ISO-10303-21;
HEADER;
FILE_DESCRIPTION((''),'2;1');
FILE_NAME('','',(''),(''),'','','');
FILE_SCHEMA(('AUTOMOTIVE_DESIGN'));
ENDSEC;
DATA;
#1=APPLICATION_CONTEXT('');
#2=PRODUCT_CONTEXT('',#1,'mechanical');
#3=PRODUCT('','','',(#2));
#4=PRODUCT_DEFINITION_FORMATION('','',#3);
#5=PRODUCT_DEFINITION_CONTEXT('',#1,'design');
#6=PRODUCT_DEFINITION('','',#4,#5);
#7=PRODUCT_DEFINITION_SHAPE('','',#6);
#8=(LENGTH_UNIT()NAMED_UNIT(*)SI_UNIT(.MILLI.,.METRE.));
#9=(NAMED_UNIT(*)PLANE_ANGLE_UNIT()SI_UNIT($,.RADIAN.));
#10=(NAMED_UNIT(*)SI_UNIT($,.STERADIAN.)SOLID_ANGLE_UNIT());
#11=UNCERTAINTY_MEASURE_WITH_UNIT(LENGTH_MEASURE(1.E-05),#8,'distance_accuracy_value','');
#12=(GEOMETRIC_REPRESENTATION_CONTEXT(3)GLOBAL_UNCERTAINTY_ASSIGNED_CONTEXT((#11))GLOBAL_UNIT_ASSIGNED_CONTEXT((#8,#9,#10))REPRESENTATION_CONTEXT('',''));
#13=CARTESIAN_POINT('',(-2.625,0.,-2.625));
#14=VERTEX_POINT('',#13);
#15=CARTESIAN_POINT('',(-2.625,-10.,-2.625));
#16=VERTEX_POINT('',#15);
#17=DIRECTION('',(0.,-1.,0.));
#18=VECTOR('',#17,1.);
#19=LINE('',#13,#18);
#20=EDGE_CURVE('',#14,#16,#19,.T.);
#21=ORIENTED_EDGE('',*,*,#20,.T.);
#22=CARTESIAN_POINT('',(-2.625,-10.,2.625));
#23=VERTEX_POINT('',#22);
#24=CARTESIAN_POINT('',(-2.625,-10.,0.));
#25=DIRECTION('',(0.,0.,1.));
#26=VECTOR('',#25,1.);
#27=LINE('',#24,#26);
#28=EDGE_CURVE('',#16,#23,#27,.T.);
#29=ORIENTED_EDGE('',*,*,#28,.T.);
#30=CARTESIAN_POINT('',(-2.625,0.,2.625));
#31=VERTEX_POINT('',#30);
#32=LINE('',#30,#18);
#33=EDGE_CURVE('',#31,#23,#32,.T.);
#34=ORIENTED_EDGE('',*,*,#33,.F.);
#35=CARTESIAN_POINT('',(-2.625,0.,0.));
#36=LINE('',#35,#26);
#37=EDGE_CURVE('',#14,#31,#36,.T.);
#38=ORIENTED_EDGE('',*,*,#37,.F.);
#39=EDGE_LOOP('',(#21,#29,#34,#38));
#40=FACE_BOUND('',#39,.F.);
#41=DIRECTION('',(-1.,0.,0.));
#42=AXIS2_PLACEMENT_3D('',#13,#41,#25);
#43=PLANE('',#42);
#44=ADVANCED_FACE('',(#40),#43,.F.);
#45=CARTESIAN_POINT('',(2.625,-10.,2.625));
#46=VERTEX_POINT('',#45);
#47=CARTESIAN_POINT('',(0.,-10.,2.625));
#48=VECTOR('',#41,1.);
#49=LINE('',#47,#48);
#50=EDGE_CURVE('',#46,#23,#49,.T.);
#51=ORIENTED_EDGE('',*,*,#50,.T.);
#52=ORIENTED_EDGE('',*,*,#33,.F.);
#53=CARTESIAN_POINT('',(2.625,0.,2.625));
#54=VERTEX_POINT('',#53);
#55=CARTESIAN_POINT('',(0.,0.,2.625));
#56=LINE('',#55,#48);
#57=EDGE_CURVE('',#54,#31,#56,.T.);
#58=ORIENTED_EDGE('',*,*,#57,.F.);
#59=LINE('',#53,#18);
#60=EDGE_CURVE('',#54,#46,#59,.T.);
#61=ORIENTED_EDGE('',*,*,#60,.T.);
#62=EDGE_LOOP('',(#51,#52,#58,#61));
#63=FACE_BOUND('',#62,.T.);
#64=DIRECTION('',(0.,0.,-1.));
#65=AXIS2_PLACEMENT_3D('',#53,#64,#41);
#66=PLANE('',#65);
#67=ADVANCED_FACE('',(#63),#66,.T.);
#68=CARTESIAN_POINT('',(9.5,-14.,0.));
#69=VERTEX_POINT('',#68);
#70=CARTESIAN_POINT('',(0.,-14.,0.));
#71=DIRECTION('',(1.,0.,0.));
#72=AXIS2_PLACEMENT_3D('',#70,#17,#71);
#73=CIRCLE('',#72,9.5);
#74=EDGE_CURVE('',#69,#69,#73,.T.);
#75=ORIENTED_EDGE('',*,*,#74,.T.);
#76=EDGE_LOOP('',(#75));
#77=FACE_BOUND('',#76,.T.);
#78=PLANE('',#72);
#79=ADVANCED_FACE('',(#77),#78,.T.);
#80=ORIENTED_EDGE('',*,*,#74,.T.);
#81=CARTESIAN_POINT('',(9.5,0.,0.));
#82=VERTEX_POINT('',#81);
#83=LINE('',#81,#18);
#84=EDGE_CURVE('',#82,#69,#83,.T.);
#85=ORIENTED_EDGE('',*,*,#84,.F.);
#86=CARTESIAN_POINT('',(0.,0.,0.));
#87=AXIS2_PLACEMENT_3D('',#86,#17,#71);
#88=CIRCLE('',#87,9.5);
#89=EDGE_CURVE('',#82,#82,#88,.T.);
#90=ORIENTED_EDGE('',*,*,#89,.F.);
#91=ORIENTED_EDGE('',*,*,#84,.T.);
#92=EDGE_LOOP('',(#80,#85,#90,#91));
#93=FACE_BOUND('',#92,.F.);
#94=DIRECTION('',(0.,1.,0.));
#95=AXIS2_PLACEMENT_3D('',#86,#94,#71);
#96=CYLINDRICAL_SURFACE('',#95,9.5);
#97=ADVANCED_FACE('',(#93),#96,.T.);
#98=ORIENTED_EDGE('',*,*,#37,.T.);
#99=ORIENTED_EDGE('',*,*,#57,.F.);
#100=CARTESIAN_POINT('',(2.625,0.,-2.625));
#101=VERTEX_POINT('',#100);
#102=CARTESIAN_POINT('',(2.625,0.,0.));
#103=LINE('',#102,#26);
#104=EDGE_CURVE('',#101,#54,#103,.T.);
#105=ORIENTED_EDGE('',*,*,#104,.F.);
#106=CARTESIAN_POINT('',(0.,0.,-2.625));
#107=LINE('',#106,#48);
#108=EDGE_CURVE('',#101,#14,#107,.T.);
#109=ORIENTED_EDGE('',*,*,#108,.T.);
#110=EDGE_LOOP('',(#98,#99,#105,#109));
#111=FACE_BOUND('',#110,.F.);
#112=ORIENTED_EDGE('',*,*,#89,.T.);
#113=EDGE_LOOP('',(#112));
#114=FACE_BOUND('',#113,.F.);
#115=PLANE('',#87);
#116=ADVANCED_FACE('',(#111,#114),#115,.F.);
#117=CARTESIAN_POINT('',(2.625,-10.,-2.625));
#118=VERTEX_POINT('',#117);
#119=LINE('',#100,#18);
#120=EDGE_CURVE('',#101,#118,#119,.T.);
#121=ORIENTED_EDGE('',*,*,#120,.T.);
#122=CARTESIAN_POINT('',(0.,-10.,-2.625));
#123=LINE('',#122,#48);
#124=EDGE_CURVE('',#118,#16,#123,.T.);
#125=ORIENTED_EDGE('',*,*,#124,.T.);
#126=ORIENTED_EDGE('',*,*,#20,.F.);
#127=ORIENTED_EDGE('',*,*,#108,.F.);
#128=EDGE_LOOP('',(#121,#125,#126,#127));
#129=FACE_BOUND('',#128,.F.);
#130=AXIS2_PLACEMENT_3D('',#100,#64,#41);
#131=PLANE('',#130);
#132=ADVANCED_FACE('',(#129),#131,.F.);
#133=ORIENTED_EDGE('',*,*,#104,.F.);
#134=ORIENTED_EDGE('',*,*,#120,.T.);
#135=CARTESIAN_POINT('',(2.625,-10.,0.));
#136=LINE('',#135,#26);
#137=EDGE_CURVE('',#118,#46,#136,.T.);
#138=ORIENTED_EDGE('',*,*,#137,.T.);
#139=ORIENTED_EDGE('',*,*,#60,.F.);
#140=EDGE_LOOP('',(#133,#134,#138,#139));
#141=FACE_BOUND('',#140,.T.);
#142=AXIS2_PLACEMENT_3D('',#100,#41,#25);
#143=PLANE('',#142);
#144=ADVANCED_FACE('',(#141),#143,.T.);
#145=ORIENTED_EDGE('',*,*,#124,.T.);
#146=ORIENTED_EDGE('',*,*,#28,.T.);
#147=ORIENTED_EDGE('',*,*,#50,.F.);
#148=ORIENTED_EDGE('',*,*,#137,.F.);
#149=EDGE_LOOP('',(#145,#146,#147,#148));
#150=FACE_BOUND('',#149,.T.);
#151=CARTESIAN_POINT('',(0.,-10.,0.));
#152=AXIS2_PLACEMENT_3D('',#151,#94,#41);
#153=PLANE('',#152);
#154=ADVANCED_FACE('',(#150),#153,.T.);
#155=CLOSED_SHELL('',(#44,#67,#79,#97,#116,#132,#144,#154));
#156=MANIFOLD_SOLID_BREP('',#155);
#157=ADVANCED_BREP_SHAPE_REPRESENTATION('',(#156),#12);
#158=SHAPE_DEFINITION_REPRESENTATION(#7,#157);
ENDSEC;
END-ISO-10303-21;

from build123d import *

# Parameters (mm, degrees)
F0_R     = 9.5
F1_DEPTH = 14
F2_W     = 5.25
F2_H     = 5.25
F3_DEPTH = 10


with BuildPart() as f1:
    # F0 (on Front) → F1 (new body)
    with BuildSketch(Plane.XZ):
        Circle(F0_R)
    extrude(amount=F1_DEPTH)

    # F2 (on face) → F3 (cut)
    with BuildSketch(Plane(origin=(0, 0, 0), x_dir=(-1, 0, 0), z_dir=(0, 1, 0))):
        Rectangle(F2_W, F2_H)
    extrude(amount=-F3_DEPTH, mode=Mode.SUBTRACT)


solid = f1.part
